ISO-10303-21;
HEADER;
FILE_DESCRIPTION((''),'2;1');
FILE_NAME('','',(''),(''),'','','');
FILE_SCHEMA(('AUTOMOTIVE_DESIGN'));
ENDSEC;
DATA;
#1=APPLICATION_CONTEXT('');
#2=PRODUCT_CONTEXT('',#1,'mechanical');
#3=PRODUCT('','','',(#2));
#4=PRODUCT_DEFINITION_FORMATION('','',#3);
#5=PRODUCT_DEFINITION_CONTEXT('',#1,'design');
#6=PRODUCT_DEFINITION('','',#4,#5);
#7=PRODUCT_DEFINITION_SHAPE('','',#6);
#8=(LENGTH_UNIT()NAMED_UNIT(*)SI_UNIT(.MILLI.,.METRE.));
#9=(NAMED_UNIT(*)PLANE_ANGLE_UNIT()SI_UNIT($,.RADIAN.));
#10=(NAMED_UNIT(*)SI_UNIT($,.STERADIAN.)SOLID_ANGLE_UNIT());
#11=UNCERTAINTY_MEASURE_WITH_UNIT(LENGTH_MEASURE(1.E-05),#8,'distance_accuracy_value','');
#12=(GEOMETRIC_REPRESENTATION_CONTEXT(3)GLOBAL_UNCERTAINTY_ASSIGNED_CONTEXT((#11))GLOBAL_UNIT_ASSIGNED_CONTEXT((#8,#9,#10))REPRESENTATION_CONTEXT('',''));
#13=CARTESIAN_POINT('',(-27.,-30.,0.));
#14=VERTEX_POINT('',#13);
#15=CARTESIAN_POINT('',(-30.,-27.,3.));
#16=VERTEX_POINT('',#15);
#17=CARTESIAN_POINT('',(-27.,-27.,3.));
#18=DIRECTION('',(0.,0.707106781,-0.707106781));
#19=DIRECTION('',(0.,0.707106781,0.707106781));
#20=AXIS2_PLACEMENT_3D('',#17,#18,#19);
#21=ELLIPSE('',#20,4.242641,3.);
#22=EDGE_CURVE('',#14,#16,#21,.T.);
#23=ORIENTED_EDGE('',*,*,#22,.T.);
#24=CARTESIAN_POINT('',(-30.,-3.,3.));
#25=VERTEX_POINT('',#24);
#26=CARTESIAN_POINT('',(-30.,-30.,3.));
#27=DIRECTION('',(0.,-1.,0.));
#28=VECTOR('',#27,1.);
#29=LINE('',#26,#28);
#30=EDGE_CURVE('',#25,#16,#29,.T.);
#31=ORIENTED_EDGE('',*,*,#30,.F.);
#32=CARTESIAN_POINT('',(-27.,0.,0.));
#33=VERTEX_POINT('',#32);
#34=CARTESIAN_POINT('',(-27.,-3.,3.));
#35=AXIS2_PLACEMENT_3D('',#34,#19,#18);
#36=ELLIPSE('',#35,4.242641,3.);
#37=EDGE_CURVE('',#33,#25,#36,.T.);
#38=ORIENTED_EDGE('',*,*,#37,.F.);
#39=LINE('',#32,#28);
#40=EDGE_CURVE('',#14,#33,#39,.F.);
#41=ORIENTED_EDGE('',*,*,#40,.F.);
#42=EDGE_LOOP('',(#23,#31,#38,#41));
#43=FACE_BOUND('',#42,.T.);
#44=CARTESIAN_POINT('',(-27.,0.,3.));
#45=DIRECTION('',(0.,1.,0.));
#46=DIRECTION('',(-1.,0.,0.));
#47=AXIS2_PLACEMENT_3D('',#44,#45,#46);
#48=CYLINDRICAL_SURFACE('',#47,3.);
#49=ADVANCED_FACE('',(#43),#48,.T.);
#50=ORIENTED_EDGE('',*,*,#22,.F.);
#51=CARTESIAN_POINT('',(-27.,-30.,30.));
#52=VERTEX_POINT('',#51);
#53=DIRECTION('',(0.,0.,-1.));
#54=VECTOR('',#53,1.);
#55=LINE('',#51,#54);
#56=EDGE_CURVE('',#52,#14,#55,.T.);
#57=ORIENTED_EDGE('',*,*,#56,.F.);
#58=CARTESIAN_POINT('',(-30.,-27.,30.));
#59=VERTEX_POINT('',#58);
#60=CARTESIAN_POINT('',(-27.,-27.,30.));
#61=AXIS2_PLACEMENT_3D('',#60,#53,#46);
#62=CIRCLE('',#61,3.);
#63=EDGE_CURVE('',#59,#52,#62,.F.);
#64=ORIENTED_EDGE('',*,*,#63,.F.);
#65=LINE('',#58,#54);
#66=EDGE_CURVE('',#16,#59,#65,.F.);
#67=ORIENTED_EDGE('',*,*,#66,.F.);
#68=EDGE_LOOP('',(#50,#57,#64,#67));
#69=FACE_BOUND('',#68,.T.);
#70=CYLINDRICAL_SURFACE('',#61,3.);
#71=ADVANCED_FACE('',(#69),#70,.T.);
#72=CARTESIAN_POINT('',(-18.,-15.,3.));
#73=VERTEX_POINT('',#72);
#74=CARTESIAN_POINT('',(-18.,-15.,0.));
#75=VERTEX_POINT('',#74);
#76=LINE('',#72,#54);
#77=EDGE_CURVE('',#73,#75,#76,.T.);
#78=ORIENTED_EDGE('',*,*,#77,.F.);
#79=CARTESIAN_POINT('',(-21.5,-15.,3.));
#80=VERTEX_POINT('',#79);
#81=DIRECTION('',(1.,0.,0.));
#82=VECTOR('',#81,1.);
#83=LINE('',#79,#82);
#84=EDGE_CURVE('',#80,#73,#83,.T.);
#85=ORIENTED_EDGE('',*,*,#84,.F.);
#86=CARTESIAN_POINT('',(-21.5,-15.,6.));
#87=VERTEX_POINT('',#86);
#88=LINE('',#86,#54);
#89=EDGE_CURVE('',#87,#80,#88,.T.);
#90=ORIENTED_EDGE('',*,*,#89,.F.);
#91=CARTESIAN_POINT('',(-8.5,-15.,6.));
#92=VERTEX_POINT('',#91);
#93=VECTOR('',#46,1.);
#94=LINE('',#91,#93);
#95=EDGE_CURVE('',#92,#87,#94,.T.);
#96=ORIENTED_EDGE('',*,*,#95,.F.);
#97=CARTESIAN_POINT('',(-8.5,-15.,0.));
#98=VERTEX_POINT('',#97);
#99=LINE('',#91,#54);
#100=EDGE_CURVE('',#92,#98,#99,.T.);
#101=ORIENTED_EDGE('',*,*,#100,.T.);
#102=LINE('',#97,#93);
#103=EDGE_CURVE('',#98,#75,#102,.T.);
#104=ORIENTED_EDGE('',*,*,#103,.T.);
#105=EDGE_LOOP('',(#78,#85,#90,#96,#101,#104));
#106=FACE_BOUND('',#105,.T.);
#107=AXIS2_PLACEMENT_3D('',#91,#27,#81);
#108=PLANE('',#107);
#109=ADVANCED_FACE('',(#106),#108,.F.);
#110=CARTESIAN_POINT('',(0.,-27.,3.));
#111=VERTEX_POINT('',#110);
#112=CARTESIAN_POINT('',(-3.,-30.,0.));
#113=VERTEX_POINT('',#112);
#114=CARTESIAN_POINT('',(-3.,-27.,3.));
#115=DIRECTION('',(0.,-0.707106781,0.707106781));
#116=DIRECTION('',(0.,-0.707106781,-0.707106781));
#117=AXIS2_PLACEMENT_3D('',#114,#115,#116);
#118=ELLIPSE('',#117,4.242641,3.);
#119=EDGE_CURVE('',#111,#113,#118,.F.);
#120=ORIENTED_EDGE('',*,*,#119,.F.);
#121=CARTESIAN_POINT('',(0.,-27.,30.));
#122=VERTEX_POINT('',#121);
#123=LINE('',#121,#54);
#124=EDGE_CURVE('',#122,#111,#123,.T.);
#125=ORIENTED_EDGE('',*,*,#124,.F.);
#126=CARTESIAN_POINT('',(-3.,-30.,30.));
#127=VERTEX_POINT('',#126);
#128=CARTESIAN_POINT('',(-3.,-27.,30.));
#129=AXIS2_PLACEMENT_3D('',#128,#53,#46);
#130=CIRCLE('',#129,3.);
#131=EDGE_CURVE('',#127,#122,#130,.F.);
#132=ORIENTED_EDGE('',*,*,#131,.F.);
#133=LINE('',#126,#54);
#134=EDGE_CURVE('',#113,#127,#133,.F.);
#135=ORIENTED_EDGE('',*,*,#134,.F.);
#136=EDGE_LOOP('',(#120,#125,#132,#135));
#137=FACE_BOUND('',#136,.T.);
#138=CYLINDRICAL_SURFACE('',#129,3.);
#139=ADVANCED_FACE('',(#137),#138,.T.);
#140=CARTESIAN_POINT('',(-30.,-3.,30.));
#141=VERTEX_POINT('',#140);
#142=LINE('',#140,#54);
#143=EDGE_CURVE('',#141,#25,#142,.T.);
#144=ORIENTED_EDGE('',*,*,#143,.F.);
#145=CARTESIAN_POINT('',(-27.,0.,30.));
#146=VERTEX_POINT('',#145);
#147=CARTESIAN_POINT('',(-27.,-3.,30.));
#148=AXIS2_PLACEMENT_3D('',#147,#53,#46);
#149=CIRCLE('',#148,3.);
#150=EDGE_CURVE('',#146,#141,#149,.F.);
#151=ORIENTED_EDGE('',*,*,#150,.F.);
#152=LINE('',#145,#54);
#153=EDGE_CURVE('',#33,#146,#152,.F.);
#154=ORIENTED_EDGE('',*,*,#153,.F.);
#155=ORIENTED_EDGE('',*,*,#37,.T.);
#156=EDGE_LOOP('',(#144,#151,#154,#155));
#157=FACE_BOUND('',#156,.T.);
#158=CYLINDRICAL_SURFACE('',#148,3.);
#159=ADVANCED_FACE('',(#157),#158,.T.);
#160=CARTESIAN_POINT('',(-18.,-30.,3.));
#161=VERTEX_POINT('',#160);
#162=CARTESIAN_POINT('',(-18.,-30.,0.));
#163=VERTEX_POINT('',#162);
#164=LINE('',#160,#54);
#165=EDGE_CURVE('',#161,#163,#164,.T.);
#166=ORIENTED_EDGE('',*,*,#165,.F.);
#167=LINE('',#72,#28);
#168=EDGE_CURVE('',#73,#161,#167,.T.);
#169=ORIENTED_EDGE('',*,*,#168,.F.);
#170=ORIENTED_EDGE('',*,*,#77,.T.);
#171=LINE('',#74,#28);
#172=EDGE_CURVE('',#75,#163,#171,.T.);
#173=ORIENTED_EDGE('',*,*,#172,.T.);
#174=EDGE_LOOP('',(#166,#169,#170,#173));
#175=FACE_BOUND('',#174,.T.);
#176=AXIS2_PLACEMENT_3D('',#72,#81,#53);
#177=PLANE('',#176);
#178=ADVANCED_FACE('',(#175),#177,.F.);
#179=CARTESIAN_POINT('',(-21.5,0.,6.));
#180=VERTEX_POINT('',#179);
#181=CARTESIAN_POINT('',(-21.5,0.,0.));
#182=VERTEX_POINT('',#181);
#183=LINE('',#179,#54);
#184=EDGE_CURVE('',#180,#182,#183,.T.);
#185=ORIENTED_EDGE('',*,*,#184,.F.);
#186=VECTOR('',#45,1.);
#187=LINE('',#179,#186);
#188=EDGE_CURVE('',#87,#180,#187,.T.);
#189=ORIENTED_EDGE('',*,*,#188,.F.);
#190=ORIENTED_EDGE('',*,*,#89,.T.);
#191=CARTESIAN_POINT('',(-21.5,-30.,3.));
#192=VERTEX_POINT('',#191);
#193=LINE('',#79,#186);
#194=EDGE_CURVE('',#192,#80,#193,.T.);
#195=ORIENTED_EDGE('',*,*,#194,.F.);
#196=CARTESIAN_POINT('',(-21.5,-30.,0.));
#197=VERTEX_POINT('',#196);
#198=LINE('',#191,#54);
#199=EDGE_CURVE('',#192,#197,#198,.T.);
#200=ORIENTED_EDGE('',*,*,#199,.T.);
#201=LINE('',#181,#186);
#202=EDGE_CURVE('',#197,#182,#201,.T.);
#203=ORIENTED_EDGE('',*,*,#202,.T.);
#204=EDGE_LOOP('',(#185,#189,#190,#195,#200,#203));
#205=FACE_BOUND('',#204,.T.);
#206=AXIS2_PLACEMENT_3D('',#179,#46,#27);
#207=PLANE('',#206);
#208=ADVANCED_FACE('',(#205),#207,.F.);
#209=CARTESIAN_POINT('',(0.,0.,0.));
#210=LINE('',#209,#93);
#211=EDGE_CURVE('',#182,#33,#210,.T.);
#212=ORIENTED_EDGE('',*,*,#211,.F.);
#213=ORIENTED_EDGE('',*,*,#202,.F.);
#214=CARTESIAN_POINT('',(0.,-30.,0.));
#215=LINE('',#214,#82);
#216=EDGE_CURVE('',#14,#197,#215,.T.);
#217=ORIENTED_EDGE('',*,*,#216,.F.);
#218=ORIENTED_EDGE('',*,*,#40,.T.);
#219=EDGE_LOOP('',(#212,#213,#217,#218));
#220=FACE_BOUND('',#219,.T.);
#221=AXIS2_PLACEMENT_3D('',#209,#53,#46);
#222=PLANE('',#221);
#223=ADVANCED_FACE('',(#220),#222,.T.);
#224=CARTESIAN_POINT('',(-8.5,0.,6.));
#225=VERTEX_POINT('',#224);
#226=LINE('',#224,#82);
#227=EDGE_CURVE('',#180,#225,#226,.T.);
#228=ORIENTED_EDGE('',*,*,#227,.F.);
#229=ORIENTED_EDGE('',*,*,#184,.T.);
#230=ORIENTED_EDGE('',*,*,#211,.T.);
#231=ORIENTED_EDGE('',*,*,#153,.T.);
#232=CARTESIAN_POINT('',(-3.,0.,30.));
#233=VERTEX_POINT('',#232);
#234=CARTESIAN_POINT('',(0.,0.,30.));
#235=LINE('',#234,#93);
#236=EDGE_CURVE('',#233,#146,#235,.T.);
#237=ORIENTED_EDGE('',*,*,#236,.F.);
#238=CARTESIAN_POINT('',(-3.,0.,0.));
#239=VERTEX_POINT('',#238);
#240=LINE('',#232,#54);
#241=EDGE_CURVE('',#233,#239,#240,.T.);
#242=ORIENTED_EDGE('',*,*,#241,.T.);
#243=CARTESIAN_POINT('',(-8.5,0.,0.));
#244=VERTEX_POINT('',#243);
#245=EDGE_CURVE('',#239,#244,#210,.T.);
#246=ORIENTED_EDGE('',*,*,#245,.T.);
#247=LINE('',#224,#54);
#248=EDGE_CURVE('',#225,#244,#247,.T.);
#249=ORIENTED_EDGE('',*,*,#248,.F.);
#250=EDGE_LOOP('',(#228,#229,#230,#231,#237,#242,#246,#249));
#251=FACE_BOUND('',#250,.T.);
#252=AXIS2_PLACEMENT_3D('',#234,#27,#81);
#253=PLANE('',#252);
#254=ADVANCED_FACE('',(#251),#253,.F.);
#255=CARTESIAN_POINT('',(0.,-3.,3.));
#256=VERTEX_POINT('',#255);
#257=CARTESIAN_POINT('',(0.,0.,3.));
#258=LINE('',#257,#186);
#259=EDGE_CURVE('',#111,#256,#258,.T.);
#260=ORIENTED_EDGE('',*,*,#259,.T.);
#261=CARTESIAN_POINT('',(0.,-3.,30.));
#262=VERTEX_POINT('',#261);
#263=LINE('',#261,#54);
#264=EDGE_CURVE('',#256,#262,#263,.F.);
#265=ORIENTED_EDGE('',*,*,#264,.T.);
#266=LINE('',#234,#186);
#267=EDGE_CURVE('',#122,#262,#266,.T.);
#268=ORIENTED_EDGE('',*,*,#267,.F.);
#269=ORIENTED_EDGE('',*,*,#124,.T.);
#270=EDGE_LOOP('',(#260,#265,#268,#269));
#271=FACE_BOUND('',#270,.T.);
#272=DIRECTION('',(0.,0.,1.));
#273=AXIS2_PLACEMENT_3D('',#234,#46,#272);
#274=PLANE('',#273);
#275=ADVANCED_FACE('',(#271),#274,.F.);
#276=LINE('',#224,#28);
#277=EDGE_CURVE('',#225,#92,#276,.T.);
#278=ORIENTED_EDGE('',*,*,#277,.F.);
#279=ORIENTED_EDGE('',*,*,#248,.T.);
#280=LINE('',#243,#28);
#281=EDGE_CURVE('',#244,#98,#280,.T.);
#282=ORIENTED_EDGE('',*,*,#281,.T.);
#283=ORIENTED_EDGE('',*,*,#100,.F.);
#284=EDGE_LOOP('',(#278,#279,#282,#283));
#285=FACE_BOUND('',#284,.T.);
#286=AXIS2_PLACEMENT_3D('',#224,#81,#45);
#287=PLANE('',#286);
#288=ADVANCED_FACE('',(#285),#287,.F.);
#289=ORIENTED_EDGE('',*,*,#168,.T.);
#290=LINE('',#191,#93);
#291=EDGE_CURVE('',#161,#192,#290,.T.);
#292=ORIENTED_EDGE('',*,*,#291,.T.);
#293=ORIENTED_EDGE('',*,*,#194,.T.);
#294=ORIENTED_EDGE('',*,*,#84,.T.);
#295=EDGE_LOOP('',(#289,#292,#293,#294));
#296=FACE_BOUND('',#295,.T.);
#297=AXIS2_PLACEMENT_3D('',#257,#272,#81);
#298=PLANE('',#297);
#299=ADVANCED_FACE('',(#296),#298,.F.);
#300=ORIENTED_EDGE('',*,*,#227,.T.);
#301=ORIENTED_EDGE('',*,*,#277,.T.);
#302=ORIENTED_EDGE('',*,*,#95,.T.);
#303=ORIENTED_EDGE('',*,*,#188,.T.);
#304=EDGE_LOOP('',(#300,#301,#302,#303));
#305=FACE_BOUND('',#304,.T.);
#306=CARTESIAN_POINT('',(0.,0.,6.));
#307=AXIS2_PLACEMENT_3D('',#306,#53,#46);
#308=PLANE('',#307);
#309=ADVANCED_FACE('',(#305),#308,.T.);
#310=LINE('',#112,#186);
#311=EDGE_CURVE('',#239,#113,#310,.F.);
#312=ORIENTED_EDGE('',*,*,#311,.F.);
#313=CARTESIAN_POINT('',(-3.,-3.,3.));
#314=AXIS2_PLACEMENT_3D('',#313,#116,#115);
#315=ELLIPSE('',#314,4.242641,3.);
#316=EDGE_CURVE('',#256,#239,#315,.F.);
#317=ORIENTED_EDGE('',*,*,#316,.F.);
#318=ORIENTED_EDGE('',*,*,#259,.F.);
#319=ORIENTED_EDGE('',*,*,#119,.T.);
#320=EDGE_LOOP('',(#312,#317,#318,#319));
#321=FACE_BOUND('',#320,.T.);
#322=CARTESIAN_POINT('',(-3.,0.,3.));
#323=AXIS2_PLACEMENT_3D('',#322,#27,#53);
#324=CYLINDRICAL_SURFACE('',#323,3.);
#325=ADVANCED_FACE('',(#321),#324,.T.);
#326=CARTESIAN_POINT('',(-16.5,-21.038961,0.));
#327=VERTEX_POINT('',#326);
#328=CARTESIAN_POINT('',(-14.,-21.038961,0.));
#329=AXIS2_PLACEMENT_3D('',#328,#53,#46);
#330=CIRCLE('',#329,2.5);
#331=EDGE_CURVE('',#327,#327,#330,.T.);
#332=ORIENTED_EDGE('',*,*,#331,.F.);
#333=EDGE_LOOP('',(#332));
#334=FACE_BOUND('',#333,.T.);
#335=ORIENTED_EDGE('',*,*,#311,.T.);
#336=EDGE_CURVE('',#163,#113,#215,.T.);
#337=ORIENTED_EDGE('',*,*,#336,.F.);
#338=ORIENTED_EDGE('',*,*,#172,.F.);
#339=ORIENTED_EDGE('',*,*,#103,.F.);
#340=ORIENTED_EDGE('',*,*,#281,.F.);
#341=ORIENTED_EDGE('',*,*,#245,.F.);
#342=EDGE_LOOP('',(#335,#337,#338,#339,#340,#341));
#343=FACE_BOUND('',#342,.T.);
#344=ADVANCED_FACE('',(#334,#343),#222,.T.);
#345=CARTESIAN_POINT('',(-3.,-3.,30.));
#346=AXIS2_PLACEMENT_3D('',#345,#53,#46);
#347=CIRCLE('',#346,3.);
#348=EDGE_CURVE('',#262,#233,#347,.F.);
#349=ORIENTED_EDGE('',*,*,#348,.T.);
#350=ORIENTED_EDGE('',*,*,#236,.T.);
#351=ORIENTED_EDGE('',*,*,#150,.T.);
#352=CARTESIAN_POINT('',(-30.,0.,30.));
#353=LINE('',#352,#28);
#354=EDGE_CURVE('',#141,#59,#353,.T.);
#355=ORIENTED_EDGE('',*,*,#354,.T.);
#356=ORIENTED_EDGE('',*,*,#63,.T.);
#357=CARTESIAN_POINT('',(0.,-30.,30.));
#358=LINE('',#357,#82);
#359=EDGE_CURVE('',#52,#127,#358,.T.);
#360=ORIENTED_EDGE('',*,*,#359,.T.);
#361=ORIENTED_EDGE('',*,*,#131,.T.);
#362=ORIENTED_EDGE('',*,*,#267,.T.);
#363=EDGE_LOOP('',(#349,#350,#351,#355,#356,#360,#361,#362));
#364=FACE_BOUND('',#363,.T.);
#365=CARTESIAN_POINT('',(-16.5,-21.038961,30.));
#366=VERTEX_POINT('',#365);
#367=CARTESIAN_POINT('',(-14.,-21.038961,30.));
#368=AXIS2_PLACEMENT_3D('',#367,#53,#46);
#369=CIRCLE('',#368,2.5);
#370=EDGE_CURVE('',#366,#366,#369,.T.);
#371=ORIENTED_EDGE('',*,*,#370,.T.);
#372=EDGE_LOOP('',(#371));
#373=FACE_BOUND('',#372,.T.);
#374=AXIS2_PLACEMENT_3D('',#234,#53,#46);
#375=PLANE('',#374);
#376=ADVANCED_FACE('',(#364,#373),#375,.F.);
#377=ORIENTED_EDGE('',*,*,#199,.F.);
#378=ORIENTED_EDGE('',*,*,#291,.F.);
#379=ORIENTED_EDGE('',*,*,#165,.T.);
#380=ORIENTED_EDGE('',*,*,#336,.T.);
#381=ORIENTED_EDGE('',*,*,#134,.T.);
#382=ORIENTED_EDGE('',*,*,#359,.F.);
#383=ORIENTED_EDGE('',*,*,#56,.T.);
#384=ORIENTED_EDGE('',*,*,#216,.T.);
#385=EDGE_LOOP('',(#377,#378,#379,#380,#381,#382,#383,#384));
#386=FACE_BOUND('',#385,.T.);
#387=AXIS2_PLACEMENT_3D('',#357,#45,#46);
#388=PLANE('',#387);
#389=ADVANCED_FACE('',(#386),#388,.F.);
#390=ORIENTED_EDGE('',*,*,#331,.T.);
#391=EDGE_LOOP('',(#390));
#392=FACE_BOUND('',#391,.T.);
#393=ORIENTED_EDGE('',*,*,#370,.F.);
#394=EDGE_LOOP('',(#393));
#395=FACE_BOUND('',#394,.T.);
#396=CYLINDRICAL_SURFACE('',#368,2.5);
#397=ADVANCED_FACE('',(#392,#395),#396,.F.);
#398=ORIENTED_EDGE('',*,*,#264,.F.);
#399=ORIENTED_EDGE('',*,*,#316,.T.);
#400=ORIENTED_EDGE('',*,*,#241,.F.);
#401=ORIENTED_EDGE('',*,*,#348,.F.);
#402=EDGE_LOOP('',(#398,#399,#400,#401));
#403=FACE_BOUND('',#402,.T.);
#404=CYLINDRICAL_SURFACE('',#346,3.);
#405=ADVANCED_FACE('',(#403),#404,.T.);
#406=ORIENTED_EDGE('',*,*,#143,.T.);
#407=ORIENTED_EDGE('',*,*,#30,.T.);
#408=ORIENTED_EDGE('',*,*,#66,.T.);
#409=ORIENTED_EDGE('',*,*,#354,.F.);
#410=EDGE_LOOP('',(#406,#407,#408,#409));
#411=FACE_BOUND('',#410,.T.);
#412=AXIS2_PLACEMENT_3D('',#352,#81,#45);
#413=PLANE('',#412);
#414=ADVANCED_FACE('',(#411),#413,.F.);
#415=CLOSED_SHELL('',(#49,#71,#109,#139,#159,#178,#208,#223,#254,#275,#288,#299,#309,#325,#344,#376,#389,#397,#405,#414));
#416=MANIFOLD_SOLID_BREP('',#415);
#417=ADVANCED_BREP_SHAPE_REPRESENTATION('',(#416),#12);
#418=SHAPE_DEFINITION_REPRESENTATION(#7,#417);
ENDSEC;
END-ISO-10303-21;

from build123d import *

# Parameters (mm, degrees)
ESQUISSE1_W              = 30
ESQUISSE1_H              = 30
BOSS_EXTRU_1_DEPTH       = 30
ESQUISSE2_W              = 13
ESQUISSE2_H              = 15
ENL_V_MAT_EXTRU_1_DEPTH  = 6
ESQUISSE3_W              = 3.5
ESQUISSE3_H              = 15
ENL_V_MAT_EXTRU_2_DEPTH  = 3
ESQUISSE4_R              = 2.5
ENL_V_MAT_EXTRU_18_DEPTH = 52.961524227
CONG_1_R                 = 3


with BuildPart() as part:
    # Esquisse1 → Boss.-Extru.1 (new body)
    with BuildSketch(Plane.XY):
        with Locations((-15, -15)):
            Rectangle(ESQUISSE1_W, ESQUISSE1_H)
    extrude(amount=BOSS_EXTRU_1_DEPTH)

    # Esquisse2 → Enlèv. mat.-Extru.1 (cut)
    with BuildSketch(Plane(origin=(0, 0, 0), x_dir=(-1, 0, 0), z_dir=(0, 0, -1))):
        with Locations((15, -7.5)):
            Rectangle(ESQUISSE2_W, ESQUISSE2_H)
    extrude(amount=-ENL_V_MAT_EXTRU_1_DEPTH, mode=Mode.SUBTRACT)

    # Esquisse3 → Enlèv. mat.-Extru.2 (cut)
    with BuildSketch(Plane(origin=(0, 0, 0), x_dir=(-1, 0, 0), z_dir=(0, 0, -1))):
        with Locations((19.75, -22.5)):
            Rectangle(ESQUISSE3_W, ESQUISSE3_H)
    extrude(amount=-ENL_V_MAT_EXTRU_2_DEPTH, mode=Mode.SUBTRACT)

    # Esquisse4 → Enlèv. mat.-Extru.18 (cut, through all)
    with BuildSketch(Plane(origin=(0, 0, 0), x_dir=(-1, 0, 0), z_dir=(0, 0, -1))):
        with Locations((14, -21.038960512)):
            Circle(ESQUISSE4_R)
    extrude(amount=-ENL_V_MAT_EXTRU_18_DEPTH, mode=Mode.SUBTRACT)

    # Congé1
    cong_1_edges = [part.edges().sort_by_distance(p)[0] for p in [
        (-30, -15, 0),
        (0, -15, 0),
        (0, -30, 15),
        (-30, -30, 15),
        (-30, 0, 15),
        (0, 0, 15),
    ]]
    fillet(cong_1_edges, radius=CONG_1_R)


solid = part.part
